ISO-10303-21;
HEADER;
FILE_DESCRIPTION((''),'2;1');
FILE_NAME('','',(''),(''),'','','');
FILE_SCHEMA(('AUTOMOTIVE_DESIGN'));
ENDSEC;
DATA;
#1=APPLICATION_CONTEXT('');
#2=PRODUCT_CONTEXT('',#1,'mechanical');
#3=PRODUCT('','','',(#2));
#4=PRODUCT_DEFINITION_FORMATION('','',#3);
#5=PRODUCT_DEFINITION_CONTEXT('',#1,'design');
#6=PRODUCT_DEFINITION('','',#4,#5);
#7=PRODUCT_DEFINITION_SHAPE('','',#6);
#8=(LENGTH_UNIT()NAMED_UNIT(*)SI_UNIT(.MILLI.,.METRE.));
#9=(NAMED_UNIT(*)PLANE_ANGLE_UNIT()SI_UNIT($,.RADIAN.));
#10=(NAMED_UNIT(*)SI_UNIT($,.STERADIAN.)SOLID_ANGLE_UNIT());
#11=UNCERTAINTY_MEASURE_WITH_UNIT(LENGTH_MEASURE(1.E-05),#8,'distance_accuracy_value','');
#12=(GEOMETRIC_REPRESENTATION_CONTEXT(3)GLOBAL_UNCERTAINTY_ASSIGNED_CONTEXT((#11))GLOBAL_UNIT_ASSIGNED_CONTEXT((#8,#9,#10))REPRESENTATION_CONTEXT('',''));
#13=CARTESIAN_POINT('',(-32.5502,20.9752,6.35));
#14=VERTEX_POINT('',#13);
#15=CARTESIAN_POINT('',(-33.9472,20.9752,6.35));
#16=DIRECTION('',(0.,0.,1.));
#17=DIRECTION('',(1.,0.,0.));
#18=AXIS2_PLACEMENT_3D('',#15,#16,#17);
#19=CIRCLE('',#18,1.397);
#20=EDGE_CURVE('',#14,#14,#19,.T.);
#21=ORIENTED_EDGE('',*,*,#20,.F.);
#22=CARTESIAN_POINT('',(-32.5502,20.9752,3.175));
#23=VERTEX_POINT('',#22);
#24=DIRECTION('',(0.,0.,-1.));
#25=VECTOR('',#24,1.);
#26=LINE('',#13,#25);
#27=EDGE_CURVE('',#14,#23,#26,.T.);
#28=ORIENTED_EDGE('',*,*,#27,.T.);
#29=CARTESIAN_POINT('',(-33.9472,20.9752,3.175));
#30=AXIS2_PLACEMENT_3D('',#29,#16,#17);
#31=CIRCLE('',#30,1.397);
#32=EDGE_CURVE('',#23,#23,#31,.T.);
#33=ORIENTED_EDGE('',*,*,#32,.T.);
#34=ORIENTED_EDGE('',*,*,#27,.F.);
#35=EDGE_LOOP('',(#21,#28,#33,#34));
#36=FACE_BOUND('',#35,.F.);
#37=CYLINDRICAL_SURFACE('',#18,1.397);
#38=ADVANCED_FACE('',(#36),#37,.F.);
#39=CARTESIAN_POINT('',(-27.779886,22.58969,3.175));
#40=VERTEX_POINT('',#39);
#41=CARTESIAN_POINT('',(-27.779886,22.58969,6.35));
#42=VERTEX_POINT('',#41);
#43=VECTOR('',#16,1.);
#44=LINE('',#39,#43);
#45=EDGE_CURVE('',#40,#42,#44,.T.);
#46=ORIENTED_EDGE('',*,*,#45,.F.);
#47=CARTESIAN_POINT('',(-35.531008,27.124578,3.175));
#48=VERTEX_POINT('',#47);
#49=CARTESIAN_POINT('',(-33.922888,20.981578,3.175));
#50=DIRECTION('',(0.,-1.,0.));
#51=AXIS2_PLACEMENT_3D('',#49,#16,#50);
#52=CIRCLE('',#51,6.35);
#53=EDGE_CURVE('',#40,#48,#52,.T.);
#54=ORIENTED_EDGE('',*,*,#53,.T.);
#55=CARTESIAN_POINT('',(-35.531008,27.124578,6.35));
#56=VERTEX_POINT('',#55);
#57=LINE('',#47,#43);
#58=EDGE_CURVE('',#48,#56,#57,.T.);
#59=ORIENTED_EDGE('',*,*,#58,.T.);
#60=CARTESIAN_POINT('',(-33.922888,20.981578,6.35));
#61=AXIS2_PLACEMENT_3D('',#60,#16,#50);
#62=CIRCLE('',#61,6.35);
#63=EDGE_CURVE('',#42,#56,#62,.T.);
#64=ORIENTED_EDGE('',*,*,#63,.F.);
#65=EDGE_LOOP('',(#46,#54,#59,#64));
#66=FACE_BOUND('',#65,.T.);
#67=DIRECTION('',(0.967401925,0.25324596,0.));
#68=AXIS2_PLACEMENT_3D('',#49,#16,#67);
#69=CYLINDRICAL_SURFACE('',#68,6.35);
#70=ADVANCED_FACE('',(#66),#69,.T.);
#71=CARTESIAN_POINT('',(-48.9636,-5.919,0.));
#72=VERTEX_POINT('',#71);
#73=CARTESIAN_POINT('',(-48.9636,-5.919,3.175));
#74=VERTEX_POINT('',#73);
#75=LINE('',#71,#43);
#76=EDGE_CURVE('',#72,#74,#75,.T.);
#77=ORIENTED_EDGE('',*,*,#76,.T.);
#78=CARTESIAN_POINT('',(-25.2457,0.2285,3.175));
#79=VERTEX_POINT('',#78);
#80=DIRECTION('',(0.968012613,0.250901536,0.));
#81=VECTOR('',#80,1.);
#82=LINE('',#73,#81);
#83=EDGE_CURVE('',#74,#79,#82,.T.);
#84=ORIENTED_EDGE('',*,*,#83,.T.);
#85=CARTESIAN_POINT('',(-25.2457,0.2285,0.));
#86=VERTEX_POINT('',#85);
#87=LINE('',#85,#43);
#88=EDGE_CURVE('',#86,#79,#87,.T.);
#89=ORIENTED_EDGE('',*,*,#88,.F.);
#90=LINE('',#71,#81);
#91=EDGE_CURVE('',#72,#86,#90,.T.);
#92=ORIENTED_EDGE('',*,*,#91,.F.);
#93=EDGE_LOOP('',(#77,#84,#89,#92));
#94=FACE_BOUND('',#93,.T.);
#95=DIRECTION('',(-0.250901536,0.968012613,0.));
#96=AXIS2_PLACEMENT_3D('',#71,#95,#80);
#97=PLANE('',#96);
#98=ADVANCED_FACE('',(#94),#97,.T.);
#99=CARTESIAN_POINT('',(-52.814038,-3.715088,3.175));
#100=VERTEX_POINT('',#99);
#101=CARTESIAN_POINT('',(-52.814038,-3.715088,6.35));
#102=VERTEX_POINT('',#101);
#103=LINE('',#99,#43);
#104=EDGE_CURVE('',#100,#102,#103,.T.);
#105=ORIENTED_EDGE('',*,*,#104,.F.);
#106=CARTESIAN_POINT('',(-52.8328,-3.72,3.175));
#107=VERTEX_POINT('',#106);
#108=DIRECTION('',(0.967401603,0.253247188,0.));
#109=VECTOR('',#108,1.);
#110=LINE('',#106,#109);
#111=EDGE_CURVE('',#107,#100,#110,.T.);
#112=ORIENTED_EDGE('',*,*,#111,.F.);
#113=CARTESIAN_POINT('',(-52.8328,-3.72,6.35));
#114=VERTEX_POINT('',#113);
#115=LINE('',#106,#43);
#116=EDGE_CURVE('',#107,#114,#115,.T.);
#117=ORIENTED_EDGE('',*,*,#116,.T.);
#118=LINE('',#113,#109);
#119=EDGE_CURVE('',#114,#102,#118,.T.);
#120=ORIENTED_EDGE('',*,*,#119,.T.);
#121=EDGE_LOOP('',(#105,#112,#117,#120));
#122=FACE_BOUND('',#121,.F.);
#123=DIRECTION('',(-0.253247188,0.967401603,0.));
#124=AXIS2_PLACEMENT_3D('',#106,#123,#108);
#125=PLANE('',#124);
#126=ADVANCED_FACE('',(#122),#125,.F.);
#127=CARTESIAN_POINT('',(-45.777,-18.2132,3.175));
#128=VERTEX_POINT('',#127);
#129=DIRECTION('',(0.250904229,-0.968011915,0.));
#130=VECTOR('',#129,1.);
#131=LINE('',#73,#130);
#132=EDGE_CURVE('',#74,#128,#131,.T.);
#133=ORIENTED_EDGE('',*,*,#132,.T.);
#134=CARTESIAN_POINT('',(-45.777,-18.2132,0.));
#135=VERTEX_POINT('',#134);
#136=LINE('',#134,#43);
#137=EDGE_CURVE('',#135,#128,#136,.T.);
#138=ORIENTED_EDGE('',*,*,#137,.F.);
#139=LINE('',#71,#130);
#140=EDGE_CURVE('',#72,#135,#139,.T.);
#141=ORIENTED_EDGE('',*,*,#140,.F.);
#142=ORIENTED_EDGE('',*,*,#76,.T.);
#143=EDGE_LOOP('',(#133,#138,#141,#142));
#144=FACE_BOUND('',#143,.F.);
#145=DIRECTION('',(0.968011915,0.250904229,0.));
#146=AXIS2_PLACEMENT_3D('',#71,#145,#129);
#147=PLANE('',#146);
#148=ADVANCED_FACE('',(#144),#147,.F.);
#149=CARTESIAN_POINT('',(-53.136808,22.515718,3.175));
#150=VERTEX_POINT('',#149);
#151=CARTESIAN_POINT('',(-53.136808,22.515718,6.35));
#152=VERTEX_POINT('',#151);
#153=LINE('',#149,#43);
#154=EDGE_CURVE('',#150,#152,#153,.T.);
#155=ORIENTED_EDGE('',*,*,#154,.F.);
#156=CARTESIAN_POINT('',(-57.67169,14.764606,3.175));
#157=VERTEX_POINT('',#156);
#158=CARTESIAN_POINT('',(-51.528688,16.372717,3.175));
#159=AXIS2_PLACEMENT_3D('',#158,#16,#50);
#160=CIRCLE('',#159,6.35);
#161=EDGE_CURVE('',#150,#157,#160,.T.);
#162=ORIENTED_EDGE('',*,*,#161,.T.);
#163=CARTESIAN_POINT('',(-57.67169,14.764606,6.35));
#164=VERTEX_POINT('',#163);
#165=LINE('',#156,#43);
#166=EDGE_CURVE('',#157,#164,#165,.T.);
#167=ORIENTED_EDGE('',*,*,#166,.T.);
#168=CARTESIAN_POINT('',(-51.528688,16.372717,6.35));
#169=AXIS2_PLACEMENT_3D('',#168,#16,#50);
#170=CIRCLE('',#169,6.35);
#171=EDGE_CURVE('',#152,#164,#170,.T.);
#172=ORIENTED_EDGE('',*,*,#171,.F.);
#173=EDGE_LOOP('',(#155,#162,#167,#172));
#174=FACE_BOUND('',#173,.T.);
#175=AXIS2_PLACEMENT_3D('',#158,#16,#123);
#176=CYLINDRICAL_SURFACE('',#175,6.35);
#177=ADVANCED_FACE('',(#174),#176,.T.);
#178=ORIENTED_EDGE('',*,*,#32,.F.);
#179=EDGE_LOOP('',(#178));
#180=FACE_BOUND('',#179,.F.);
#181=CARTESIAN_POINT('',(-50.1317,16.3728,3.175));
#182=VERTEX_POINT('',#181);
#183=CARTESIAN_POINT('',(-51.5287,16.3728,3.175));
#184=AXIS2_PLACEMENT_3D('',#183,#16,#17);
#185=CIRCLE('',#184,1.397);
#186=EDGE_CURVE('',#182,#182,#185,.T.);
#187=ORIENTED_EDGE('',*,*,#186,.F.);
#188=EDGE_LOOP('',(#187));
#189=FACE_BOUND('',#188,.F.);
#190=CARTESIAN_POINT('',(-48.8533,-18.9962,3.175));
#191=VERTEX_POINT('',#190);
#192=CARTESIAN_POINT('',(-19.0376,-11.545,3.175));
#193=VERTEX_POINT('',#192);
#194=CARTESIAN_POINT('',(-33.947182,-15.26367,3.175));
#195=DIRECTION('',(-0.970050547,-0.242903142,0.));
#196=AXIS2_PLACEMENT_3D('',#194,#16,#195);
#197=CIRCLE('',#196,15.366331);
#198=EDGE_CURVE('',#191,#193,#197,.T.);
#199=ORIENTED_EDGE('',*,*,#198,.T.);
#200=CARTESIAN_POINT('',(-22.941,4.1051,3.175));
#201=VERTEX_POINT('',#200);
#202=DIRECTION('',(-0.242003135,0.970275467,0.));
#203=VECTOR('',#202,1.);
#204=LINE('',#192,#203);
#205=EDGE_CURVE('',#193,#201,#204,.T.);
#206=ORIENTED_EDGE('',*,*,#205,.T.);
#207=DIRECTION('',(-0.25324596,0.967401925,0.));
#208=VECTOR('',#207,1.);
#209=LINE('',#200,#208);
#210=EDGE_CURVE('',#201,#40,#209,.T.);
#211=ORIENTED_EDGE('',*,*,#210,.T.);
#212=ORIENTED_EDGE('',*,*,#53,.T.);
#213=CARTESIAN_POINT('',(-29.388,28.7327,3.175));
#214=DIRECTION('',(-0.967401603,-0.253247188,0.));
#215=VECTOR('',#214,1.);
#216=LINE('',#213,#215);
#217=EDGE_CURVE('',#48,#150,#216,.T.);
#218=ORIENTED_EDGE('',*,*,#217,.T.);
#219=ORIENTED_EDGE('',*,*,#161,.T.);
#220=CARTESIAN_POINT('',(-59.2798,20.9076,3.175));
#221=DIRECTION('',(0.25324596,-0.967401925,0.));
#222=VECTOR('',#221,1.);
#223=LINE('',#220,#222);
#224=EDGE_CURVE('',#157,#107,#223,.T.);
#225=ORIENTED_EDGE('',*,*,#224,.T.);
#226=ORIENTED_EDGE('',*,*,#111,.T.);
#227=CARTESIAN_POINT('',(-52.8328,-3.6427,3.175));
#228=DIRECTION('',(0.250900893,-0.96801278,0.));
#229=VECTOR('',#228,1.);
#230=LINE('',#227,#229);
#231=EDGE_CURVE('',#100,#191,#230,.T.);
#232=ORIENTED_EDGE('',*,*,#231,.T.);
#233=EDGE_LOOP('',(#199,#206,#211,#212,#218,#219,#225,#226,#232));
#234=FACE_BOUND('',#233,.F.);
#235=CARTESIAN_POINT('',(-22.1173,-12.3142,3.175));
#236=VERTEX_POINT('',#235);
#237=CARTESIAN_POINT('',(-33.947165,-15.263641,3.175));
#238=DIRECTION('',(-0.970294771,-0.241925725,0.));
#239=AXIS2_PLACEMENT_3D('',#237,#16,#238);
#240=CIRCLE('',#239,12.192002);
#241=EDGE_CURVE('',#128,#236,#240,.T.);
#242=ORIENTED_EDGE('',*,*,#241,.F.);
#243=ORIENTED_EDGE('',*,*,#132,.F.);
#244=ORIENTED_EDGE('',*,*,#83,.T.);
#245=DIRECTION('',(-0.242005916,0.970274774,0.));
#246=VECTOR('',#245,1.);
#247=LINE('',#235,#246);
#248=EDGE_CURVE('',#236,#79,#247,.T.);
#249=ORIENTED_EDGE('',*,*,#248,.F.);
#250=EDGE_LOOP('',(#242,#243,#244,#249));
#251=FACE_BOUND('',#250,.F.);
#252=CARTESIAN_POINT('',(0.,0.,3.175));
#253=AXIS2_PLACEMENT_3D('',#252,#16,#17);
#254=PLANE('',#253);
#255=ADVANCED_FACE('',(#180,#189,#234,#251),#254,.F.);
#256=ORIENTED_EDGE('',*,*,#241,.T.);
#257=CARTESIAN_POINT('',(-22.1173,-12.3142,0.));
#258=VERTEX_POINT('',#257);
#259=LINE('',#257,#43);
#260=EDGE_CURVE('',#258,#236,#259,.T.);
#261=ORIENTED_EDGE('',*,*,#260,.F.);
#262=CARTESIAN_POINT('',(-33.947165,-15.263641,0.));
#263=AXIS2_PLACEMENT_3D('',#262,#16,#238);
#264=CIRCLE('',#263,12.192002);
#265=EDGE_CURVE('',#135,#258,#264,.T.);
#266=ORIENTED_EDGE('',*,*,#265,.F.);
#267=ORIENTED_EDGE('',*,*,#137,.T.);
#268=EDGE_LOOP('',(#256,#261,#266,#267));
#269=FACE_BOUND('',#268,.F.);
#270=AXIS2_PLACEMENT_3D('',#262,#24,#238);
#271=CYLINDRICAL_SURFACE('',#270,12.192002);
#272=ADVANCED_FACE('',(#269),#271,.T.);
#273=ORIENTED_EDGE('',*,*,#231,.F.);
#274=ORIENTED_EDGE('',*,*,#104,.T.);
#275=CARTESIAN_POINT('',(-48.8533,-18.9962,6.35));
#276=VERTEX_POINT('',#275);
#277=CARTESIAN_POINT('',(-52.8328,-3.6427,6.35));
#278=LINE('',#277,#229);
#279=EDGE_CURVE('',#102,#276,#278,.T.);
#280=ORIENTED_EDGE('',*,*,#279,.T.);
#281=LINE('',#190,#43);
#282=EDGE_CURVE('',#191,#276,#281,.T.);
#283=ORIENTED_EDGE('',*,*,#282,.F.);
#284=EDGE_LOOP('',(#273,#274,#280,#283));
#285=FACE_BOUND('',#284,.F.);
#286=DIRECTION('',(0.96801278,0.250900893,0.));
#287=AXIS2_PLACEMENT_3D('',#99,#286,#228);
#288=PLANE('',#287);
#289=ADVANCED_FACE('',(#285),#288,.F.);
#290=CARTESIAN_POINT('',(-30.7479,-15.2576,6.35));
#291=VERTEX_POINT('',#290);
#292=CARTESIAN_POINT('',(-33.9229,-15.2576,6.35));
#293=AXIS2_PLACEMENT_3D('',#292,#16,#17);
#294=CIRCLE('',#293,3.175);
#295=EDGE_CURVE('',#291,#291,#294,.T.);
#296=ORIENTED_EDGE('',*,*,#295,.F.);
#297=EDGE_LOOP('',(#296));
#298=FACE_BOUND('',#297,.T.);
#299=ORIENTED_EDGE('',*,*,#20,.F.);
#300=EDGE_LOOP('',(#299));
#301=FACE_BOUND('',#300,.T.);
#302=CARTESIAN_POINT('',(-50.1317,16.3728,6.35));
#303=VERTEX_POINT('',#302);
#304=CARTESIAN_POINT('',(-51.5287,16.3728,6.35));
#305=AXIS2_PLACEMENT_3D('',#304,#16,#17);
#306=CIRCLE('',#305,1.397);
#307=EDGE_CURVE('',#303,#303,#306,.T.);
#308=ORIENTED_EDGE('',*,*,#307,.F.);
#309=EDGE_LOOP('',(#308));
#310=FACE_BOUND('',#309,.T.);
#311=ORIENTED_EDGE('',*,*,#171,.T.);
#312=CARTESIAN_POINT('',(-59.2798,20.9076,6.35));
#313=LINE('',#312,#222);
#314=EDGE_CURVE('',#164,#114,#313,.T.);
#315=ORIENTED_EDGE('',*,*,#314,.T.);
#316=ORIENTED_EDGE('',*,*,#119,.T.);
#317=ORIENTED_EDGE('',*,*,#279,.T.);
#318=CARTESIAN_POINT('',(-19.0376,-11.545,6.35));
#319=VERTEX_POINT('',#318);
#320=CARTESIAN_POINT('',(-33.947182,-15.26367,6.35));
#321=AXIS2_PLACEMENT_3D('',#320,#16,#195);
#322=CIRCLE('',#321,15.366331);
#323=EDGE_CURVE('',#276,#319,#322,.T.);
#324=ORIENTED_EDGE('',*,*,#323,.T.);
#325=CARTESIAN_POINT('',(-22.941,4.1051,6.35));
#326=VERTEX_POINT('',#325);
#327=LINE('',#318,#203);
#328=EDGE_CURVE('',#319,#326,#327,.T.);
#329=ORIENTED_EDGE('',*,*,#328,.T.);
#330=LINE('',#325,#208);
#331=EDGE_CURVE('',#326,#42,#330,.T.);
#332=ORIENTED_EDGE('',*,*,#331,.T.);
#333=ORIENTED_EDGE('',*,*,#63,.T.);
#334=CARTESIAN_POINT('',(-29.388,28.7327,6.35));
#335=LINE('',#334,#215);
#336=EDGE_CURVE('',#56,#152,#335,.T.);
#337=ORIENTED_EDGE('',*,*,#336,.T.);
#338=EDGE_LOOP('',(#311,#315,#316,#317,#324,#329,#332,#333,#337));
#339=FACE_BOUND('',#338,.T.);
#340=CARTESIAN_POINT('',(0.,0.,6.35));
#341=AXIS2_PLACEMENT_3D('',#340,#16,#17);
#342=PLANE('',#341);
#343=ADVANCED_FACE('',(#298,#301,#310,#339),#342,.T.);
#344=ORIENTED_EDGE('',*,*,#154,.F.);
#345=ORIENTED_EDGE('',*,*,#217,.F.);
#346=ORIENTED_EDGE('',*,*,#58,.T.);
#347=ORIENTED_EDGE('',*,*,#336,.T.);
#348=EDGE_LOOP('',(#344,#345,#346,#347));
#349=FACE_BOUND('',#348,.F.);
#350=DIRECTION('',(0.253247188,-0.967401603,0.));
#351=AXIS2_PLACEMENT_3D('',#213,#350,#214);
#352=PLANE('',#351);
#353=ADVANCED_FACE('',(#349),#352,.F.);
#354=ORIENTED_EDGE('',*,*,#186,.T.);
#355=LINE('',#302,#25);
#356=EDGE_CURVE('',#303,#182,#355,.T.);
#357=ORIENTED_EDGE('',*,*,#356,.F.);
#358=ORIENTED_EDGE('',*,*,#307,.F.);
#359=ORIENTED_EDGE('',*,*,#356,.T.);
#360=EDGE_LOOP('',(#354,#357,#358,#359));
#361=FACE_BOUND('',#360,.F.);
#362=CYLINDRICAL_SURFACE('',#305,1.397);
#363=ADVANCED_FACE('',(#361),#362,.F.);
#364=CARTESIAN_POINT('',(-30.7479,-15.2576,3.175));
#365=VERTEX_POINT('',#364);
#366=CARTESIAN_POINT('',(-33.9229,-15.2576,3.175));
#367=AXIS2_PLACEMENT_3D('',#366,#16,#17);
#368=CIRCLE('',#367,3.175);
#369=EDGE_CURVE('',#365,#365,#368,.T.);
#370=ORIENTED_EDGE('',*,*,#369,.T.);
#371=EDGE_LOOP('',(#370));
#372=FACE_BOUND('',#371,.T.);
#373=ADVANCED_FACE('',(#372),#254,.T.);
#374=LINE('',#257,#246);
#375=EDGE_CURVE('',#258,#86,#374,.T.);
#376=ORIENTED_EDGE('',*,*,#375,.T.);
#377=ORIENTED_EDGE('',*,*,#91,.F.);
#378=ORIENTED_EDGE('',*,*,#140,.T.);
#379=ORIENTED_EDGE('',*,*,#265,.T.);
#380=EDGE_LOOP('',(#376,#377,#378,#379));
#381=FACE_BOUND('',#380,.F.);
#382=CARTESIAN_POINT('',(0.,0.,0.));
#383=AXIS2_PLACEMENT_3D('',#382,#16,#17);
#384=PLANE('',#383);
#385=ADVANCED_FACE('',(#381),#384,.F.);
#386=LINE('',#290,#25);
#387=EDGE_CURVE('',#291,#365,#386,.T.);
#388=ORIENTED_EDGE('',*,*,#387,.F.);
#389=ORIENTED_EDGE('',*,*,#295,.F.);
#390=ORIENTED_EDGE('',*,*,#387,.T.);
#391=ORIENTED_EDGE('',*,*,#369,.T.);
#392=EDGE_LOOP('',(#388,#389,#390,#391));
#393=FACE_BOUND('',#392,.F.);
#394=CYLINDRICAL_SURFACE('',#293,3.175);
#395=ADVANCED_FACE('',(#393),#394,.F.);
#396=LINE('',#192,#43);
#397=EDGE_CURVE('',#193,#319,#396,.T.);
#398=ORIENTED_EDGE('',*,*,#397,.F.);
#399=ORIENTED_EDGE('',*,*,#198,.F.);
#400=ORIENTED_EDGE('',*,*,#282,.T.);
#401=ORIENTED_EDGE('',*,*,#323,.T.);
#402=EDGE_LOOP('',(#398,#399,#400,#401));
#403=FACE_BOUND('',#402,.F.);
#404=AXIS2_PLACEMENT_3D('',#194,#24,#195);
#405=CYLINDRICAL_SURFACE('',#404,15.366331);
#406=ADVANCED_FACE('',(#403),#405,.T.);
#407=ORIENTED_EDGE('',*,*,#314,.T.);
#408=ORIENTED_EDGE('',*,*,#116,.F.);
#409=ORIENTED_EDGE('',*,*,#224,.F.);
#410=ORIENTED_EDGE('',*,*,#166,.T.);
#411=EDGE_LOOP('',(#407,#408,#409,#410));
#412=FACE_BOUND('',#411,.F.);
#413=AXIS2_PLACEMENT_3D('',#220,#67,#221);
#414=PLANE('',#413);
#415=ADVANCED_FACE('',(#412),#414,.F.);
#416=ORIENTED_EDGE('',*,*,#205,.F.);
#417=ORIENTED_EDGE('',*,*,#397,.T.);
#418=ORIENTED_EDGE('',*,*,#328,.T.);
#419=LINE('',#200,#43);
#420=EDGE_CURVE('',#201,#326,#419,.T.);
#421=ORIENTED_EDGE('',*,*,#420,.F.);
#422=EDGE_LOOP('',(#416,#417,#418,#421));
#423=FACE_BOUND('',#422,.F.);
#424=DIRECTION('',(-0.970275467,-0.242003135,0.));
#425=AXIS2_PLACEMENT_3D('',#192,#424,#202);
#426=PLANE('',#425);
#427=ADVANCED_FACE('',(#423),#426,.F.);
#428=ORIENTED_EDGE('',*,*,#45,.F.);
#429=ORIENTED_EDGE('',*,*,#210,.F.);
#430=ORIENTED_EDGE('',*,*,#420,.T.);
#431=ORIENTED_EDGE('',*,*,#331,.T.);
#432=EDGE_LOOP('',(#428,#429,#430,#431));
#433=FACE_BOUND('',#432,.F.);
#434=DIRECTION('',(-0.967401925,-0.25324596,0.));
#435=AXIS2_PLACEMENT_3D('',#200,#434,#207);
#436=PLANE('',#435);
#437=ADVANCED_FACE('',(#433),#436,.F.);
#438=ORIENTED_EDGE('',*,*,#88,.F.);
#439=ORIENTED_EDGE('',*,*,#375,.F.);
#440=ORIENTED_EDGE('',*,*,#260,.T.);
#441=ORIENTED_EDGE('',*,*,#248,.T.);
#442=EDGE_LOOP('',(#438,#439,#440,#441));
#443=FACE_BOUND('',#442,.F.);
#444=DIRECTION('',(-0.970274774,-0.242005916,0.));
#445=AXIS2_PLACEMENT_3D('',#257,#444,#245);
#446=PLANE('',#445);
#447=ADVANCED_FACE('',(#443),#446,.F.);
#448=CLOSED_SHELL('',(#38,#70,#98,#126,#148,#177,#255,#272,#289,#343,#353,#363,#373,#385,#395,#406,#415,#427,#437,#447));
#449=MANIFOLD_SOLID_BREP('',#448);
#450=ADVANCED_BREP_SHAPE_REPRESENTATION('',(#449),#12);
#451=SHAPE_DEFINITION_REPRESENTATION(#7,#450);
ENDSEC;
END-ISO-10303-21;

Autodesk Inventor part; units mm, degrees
ref_plane "YZ Plane" through (0, 0, 0) normal (1, 0, 0) x (0, 1, 0)
ref_plane "XZ Plane" through (0, 0, 0) normal (0, 1, 0) x (-1, 0, 0)
ref_plane "XY Plane" through (0, 0, 0) normal (0, 0, 1) x (1, 0, 0)
ref_plane "Work Plane1" through (0, 0, 0) normal (0, 0, 1) x (1, 0, 0)
sketch "Sketch1" plane through (0, 0, 0) normal (0, 0, 1) x (1, 0, 0)
  line L0 (-48.9636, -5.919) -> (-45.777, -18.2132)
  arc A0 (-45.777, -18.2132) -> (-22.1173, -12.3142) centre (-33.9472, -15.2637) ccw projected
  line L1 (-22.1173, -12.3142) -> (-25.2457, 0.2285)
  line L2 (-48.9636, -5.919) -> (-25.2457, 0.2285)
  point P0 (0, 0)
  point P1 (-37.0767, -2.9553)
  dimension "d0" = 12.2508
  dimension "d2" = 24.5017
  dimension "d3" = 12.7
extrude "Extrusion1" add sketch "Sketch1" along normal blind 3.175
sketch "Sketch2" plane through (0, 0, 3.175) normal (0, 0, 1) x (1, 0, 0)
  line L0 (-48.9636, -5.919) -> (-45.777, -18.2132) projected
  arc A0 (-45.777, -18.2132) -> (-22.1173, -12.3142) centre (-33.9472, -15.2637) ccw projected
  line L1 (-22.1173, -12.3142) -> (-25.2457, 0.2285) projected
  line L2 (-25.2457, 0.2285) -> (-48.9636, -5.919) projected
  line L3 (-48.9636, -5.919) -> (-45.777, -18.2132) projected
  arc A1 (-45.777, -18.2132) -> (-22.1173, -12.3142) centre (-33.9472, -15.2637) ccw projected
  line L4 (-22.1173, -12.3142) -> (-25.2457, 0.2285) projected
  line L5 (-25.2457, 0.2285) -> (-48.9636, -5.919) projected
  line L6 (-52.8328, -3.6427) -> (-48.8533, -18.9962)
  arc A2 (-48.8533, -18.9962) -> (-19.0376, -11.545) centre (-33.9472, -15.2637) ccw
  line L7 (-19.0376, -11.545) -> (-22.941, 4.1051)
  line L8 (-22.941, 4.1051) -> (-52.8328, -3.6427)
  line L9 (-52.8328, -3.72) -> (-22.941, 4.1051)
  line L10 (-22.941, 4.1051) -> (-29.388, 28.7327)
  line L11 (-29.388, 28.7327) -> (-59.2798, 20.9076)
  line L12 (-59.2798, 20.9076) -> (-52.8328, -3.72)
  point P0 (0, 0)
extrude "Extrusion2" add sketch "Sketch2" along normal blind 3.175 contours L2 L1 A0 L0 | L8 L9 L6 | L6 L9 L12 L11 L10 L8 | L9 L7 A2 L6
fillet "Fillet1" radius 6.35 2 edges at (-59.2798, 20.9076, 4.7625) (-29.388, 28.7327, 4.7625)
sketch "Sketch3" plane through (0, 0, 6.35) normal (0, 0, 1) x (1, 0, 0)
  circle A0 centre (-33.9229, -15.2576) radius 3.175
  point P0 (0, 0)
  dimension "d9" = 6.35
extrude "Extrusion3" cut sketch "Sketch3" against normal blind 3.175
sketch "Sketch4" plane through (0, 0, 6.35) normal (0, 0, 1) x (1, 0, 0)
  circle A0 centre (-51.5287, 16.3728) radius 1.397
  circle A1 centre (-33.9472, 20.9752) radius 1.397
  point P0 (0, 0)
  dimension "d12" = 2.794
  dimension "d13" = 2.794
extrude "Extrusion4" cut sketch "Sketch4" against normal up to next
equation "\"d0\" = 0.5 * d2"
properties part number "fingerBase01" material "Wood (Oak)"
